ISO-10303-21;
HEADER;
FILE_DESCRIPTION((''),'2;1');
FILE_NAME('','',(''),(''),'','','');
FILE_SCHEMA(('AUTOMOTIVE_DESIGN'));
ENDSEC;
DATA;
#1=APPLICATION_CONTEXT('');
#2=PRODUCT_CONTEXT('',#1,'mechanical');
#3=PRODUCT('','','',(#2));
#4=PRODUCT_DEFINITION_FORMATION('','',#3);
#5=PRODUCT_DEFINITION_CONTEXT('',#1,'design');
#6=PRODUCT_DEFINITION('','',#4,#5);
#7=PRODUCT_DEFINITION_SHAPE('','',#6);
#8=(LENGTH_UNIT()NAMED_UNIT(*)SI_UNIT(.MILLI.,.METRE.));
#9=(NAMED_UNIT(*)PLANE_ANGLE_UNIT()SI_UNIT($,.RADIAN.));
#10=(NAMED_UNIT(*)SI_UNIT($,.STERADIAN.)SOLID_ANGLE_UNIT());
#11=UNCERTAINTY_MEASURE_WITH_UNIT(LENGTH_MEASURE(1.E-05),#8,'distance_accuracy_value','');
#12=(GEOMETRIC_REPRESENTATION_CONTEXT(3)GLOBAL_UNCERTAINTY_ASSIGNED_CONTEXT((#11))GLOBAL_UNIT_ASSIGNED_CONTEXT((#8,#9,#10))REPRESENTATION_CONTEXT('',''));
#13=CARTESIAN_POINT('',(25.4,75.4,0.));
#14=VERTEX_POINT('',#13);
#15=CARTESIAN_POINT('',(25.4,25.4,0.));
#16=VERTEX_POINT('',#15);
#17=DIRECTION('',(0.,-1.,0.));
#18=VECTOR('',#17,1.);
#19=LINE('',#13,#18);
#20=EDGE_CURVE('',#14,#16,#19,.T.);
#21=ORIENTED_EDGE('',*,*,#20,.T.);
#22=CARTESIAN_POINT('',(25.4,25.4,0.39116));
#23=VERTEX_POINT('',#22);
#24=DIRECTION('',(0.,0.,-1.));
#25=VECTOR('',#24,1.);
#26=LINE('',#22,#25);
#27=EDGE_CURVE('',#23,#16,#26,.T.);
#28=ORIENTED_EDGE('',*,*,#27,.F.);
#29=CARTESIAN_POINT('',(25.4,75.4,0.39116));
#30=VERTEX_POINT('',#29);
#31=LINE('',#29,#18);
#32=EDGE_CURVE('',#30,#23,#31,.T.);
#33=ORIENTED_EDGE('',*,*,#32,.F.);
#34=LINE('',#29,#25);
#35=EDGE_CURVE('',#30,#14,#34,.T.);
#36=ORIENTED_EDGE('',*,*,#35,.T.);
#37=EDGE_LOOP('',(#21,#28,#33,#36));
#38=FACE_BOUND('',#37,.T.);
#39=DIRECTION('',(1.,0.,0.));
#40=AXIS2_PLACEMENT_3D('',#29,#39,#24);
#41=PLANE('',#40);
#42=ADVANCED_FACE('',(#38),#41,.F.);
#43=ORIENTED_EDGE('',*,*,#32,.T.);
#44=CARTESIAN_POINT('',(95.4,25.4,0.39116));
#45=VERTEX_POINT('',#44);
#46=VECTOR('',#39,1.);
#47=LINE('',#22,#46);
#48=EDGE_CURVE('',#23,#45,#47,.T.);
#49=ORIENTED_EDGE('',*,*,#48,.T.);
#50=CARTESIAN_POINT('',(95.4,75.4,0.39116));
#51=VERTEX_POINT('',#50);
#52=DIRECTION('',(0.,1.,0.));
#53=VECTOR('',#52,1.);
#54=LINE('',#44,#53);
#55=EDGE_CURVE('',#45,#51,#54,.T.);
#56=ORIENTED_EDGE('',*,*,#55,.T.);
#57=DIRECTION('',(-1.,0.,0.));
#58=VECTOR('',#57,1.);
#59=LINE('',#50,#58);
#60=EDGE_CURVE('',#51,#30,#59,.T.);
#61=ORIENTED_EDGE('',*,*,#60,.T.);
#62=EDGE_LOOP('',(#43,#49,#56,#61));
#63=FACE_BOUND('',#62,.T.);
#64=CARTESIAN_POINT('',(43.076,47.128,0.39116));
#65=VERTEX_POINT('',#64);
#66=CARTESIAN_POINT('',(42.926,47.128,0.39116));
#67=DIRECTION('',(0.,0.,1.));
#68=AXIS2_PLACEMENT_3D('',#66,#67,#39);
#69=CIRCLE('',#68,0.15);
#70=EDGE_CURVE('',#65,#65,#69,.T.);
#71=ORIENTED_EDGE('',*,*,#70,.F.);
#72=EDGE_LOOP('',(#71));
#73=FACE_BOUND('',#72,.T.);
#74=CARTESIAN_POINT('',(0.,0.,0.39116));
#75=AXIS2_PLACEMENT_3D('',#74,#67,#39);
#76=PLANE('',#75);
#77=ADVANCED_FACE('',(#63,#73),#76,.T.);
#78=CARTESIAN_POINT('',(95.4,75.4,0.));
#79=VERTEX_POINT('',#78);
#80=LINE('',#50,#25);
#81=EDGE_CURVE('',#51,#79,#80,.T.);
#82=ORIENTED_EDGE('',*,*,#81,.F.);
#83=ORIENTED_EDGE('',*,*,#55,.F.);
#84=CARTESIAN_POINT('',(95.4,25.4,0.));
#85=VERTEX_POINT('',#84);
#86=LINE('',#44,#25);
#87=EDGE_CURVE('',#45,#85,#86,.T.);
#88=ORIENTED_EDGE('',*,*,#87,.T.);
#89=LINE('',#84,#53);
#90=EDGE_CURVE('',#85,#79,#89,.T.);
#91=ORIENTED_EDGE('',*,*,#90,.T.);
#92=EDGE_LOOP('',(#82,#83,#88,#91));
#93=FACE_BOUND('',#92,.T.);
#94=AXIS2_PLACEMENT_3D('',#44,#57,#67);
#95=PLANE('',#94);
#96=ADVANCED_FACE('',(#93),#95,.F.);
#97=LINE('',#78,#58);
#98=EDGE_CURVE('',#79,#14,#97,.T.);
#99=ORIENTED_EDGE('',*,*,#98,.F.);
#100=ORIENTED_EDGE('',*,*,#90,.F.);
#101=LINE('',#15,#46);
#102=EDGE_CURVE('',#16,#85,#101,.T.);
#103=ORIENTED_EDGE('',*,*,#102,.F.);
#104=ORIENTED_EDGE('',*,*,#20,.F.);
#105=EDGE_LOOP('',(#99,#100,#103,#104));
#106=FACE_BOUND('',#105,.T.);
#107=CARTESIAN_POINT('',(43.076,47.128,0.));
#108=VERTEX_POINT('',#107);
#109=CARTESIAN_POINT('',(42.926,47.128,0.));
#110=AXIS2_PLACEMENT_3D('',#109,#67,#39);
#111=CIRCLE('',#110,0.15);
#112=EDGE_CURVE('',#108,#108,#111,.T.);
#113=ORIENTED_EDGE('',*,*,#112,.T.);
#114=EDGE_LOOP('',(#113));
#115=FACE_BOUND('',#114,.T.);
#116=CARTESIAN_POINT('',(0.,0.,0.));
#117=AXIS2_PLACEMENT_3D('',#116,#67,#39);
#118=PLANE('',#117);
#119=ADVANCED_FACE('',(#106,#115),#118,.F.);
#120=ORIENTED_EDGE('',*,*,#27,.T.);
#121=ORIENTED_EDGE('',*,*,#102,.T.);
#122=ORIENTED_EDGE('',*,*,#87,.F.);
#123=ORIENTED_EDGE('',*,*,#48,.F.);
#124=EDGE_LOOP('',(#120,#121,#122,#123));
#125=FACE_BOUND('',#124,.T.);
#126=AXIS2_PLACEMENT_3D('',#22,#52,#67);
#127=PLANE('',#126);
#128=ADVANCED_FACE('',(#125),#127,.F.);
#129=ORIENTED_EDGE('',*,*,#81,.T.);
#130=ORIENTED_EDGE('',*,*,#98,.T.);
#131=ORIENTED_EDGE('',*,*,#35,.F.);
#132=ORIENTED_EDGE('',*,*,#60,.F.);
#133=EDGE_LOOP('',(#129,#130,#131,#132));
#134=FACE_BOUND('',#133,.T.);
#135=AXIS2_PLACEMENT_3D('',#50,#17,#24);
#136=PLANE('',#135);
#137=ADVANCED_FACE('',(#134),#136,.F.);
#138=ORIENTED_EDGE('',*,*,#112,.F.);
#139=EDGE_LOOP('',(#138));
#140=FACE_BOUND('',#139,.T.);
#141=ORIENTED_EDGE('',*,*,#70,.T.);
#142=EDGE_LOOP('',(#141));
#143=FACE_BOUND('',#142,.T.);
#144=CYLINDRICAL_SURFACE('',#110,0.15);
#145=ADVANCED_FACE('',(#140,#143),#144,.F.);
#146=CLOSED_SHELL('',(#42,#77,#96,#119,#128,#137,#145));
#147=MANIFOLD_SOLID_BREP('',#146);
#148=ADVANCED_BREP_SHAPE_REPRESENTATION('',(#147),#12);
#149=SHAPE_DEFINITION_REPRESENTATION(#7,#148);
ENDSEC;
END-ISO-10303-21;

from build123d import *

# Parameters (mm, degrees)
SKETCH_1_W          = 70
SKETCH_1_H          = 50
BOARD_DEPTH         = 0.39116
SKETCH_2_R          = 0.15
CUT_EXTRUDE_1_DEPTH = 0.39116


with BuildPart() as part:
    # Эскиз1 → Board (new body)
    with BuildSketch(Plane.XY):
        with Locations((60.4, 50.4)):
            Rectangle(SKETCH_1_W, SKETCH_1_H)
    extrude(amount=BOARD_DEPTH)

    # Эскиз2 → Вырез-Вытянуть1 (cut)
    with BuildSketch(Plane.XY.offset(0.39116)):
        with Locations((42.926, 47.128)):
            Circle(SKETCH_2_R)
    extrude(amount=-CUT_EXTRUDE_1_DEPTH, mode=Mode.SUBTRACT)


solid = part.part
